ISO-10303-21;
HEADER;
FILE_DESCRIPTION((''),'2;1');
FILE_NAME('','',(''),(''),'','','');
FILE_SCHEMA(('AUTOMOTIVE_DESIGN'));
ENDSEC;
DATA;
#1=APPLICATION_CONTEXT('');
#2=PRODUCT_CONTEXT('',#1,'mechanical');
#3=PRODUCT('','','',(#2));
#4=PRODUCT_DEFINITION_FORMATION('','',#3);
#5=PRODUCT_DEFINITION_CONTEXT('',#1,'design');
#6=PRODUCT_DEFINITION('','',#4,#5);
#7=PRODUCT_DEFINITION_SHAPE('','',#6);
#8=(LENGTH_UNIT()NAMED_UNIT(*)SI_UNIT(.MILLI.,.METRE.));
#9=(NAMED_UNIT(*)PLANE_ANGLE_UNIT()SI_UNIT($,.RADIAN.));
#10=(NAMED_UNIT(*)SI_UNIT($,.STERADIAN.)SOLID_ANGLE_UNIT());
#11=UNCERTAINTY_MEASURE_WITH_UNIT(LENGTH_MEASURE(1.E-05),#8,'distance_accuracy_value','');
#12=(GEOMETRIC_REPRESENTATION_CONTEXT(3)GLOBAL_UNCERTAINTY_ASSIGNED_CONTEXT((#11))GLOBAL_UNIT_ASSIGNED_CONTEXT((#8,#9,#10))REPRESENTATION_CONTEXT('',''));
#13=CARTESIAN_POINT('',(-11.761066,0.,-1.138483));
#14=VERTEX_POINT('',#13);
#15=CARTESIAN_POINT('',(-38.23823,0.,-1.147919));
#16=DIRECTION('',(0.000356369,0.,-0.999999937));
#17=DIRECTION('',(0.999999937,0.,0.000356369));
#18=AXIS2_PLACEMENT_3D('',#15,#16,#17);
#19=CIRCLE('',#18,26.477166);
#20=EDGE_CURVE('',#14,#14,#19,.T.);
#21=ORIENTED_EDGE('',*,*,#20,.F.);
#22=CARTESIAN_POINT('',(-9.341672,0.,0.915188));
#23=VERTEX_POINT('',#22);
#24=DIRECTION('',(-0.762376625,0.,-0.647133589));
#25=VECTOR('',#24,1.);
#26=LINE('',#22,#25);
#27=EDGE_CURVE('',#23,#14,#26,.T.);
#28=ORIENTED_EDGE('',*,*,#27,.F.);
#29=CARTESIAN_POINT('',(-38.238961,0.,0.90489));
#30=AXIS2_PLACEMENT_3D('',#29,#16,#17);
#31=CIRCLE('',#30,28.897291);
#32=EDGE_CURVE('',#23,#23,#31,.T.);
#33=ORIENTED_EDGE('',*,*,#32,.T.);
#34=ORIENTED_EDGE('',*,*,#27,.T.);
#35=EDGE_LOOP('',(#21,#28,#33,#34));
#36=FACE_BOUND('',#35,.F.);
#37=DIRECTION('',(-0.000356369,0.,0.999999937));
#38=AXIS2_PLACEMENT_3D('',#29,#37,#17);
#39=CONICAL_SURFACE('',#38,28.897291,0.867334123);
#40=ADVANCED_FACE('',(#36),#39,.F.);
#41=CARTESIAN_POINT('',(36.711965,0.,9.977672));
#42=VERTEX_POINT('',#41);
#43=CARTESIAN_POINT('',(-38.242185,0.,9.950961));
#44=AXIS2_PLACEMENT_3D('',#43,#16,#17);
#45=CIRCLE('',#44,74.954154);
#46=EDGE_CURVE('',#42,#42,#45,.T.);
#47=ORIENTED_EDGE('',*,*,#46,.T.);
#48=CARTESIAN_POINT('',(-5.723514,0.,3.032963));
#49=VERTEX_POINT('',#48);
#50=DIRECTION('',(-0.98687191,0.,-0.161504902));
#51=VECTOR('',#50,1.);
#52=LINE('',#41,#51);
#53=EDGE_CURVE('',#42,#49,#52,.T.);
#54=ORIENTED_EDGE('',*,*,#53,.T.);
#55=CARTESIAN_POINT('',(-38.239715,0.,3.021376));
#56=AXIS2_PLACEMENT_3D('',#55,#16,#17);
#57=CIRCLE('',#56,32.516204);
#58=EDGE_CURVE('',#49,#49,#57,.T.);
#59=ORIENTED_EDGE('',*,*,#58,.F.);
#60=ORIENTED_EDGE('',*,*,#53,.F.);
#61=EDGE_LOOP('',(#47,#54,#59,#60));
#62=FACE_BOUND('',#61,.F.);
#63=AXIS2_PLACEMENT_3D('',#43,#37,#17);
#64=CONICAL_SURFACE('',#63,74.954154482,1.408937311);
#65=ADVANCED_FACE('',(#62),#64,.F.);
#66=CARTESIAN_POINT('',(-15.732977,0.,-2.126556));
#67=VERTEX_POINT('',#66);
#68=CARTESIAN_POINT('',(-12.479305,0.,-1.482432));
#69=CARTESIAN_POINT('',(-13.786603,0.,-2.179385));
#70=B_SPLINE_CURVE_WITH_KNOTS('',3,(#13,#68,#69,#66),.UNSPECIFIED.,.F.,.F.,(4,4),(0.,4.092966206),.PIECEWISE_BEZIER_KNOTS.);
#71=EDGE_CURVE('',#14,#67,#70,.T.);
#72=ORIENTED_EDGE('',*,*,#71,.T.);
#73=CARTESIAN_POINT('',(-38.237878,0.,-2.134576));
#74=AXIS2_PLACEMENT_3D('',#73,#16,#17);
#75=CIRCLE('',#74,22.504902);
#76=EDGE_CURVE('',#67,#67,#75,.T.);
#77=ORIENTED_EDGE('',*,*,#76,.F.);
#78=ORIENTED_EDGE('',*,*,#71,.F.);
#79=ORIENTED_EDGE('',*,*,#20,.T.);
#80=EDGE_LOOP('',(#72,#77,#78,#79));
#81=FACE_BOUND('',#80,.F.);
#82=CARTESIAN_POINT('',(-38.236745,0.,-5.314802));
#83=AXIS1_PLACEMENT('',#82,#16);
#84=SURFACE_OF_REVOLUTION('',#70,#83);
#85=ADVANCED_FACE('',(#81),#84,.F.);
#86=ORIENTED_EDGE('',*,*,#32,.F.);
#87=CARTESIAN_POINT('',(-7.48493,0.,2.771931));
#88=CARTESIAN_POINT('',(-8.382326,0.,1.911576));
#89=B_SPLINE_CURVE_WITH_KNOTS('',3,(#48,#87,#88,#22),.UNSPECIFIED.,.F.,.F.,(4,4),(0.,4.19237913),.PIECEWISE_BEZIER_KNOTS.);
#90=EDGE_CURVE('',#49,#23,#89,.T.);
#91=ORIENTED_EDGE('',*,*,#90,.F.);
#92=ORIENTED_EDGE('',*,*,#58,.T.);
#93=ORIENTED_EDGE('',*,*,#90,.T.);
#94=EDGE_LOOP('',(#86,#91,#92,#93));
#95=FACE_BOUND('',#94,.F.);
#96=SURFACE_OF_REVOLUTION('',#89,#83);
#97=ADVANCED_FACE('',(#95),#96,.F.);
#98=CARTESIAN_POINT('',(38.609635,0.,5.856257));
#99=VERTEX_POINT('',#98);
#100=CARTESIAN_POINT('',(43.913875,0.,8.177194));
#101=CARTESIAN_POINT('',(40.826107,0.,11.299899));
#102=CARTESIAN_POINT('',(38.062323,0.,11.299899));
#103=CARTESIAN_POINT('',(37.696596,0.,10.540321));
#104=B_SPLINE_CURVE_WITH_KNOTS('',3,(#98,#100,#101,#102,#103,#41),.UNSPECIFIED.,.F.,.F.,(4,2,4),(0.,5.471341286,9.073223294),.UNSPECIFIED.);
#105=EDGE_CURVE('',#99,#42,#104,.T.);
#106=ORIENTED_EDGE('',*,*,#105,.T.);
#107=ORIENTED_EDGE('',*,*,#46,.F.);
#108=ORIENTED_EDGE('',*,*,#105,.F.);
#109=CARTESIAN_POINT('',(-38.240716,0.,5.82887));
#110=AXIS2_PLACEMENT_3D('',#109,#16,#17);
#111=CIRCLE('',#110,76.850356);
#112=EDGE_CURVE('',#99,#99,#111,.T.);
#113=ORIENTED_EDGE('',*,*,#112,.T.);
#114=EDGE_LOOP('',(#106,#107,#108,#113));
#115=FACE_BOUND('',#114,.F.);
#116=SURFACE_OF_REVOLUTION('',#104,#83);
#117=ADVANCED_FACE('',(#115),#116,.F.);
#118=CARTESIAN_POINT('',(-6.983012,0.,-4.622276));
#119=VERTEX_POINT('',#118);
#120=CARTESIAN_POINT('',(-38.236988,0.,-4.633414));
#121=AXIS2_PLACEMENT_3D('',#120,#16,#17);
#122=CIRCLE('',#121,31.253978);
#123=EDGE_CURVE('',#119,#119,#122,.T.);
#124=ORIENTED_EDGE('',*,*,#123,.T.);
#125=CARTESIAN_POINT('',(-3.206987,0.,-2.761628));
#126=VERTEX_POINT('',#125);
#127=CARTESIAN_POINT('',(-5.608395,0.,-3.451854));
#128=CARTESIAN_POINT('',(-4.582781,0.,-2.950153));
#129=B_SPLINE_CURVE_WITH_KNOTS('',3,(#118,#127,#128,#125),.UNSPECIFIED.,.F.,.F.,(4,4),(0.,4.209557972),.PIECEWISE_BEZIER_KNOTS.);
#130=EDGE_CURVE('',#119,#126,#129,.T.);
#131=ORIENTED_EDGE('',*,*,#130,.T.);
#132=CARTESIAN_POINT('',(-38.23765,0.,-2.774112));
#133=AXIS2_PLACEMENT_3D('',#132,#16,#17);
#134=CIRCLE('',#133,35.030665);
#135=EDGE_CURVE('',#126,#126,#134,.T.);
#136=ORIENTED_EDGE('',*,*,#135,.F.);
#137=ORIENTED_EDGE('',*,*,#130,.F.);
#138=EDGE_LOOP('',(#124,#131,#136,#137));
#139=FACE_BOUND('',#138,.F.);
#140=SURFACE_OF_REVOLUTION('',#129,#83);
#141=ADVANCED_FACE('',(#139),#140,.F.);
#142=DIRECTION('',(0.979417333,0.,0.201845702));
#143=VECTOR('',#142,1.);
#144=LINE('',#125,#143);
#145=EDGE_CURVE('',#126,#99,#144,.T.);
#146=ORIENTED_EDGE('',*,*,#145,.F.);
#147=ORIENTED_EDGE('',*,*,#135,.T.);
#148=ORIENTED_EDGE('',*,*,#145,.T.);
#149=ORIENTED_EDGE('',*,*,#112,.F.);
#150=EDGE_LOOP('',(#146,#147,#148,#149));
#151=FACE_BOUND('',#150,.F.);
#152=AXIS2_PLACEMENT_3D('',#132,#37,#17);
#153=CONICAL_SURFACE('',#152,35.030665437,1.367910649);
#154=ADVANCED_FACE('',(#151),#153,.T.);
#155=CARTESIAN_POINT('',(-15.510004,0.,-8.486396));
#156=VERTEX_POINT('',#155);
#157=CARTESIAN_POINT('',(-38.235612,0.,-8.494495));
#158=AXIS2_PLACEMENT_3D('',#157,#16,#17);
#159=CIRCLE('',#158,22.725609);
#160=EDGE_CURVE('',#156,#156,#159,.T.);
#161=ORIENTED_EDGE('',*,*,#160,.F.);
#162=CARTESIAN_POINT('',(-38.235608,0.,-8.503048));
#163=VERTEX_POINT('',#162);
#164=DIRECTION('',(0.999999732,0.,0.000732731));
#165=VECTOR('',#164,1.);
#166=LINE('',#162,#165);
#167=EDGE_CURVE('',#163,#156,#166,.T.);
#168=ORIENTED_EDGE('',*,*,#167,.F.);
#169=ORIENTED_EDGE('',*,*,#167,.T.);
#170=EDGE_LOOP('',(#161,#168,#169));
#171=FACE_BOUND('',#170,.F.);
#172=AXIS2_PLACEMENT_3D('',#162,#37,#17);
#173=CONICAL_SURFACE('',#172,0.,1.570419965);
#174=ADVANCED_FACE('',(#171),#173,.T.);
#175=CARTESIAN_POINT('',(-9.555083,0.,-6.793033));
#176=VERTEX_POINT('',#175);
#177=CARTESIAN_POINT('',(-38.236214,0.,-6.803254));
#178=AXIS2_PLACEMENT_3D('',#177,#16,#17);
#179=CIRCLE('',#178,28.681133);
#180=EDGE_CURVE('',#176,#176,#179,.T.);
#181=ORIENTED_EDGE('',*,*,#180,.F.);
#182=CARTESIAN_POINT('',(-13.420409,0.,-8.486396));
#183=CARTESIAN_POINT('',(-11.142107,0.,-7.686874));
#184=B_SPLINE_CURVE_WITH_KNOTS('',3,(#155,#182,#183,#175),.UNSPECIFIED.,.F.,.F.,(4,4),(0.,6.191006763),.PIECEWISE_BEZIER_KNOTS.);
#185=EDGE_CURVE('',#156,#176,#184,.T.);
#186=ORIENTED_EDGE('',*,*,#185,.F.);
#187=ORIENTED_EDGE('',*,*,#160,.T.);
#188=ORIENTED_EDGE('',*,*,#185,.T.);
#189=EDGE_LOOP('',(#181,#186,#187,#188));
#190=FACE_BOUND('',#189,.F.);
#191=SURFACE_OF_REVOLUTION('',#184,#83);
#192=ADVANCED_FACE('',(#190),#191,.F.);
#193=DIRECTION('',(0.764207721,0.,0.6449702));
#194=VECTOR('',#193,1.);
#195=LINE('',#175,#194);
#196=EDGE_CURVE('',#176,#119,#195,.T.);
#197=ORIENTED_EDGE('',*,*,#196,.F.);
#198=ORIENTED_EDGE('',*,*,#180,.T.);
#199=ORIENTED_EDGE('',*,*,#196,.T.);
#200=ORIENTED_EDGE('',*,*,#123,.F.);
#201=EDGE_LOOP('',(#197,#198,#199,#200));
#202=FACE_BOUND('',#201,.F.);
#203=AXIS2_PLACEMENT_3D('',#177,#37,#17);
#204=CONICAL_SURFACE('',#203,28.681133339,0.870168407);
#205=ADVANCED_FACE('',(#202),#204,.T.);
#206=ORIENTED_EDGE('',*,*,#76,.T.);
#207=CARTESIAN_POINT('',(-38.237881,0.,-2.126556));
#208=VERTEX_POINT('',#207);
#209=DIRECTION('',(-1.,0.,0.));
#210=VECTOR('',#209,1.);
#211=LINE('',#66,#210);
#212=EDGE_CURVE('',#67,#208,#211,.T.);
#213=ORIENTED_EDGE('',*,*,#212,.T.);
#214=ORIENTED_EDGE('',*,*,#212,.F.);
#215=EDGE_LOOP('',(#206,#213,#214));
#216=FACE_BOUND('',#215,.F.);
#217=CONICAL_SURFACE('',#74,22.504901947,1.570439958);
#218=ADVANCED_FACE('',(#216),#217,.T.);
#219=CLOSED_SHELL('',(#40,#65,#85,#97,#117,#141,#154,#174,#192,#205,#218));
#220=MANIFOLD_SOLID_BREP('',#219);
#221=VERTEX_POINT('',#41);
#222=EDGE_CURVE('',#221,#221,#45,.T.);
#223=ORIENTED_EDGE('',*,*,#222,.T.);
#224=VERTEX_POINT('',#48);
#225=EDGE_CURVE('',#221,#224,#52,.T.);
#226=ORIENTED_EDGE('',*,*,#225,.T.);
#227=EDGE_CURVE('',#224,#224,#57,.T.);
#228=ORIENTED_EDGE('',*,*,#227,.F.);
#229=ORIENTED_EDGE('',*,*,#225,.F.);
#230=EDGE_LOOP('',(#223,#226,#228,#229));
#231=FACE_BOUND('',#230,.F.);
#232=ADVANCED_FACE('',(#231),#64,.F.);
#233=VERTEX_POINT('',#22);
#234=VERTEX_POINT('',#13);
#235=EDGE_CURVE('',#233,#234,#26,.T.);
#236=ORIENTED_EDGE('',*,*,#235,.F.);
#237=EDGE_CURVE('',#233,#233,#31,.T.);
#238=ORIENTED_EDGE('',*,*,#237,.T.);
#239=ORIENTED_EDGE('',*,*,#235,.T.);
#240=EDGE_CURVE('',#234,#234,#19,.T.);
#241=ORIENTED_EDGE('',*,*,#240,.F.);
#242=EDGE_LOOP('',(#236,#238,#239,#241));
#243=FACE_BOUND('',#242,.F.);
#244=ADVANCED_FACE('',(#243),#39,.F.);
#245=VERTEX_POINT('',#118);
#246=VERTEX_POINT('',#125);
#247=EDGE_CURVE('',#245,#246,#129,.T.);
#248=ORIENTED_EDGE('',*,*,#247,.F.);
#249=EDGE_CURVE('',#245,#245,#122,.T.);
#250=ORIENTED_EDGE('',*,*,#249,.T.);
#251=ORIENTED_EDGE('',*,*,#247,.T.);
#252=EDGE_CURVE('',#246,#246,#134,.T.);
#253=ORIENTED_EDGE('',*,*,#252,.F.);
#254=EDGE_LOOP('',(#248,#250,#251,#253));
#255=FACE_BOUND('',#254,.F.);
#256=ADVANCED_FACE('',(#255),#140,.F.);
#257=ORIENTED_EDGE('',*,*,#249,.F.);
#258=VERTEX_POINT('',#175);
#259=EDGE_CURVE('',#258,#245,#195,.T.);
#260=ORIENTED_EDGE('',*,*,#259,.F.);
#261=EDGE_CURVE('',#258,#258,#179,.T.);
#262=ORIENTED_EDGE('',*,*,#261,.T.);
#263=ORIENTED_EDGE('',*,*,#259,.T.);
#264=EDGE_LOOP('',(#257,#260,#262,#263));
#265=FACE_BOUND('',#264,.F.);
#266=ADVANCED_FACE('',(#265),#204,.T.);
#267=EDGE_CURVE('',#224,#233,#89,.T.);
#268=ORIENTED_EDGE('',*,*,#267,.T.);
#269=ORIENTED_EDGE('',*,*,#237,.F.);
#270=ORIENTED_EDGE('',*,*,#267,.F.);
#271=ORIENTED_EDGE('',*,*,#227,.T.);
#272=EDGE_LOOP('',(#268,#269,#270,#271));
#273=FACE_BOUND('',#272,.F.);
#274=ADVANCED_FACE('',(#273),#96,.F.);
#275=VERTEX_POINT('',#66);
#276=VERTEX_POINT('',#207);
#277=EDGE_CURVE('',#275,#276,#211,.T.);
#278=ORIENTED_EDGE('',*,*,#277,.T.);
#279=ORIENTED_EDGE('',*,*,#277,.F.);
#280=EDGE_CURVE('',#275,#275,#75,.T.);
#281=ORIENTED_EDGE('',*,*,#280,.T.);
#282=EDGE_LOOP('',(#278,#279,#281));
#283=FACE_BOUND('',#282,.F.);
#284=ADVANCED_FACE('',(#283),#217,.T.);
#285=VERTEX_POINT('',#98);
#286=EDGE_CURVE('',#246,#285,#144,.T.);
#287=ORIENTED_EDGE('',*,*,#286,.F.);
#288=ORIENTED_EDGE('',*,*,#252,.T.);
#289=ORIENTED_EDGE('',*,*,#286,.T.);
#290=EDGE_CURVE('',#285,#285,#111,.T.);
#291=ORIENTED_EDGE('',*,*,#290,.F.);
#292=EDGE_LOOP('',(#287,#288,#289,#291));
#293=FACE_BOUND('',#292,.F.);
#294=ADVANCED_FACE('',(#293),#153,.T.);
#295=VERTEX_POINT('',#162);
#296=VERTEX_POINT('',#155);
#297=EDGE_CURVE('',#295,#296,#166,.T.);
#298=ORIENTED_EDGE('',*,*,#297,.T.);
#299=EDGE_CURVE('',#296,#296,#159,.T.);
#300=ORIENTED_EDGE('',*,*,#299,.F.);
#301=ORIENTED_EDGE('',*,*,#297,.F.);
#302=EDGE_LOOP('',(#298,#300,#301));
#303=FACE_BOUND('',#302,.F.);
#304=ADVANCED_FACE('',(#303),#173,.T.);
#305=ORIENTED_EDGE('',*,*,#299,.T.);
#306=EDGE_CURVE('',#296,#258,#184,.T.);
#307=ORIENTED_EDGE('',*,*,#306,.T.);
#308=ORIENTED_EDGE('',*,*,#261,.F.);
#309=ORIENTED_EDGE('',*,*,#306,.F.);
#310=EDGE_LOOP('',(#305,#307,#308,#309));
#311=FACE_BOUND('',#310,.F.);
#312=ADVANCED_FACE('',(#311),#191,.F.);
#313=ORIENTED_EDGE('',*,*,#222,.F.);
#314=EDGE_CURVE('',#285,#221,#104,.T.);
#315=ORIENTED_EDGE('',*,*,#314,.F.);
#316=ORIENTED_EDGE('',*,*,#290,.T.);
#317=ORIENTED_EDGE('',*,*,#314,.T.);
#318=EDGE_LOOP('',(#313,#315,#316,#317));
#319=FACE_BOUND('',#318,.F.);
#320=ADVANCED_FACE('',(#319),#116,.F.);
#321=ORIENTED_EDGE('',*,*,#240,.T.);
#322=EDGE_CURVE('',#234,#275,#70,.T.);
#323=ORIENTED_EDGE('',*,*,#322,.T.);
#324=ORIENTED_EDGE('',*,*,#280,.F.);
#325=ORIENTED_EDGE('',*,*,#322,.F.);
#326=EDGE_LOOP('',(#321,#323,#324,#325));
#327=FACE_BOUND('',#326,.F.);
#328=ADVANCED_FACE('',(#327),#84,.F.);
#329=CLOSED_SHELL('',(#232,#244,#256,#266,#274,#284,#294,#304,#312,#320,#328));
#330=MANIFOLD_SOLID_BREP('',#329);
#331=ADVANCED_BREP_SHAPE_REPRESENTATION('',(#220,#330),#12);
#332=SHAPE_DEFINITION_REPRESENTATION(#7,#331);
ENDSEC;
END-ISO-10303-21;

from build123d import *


with BuildPart() as f1:
    # F0 (on Front) → F1 (revolve)
    with BuildSketch(Plane.XZ):
        with BuildLine():
            Line((-38.237880871, -2.1265557187), (-38.2356084883, -8.5030477494))
            Line((-38.2356084883, -8.5030477494), (-15.5100039694, -8.4863959963))
            add(Edge.make_bspline(
                [(-15.5100039694, -8.4863959963), (-13.4204085473, -8.4863959963), (-11.1421066824, -7.686874076), (-9.5550827238, -6.7930331605)],
                knots=[0, 0, 0, 0, 6.1910067626, 6.1910067626, 6.1910067626, 6.1910067626], degree=3))
            Line((-9.5550827238, -6.7930331605), (-6.9830119166, -4.6222764684))
            add(Edge.make_bspline(
                [(-6.9830119166, -4.6222764684), (-5.6083946976, -3.4518540522), (-4.5827813003, -2.9501531424), (-3.2069868896, -2.7616278419)],
                knots=[0, 0, 0, 0, 4.2095579716, 4.2095579716, 4.2095579716, 4.2095579716], degree=3))
            Line((-3.2069868896, -2.7616278419), (38.6096351292, 5.8562566375))
            add(Edge.make_bspline(
                [(38.6096351292, 5.8562566375), (43.9138748195, 8.1771944499), (40.8261068201, 11.2998985534), (39.1594879773, 11.2998985534)],
                knots=[0, 0, 0, 0, 5.4713412856, 5.4713412856, 5.4713412856, 5.4713412856], degree=3))
            add(Edge.make_bspline(
                [(39.1594879773, 11.2998985534), (38.0623229292, 11.2998985534), (37.6965962794, 10.5403211748), (36.7119648006, 9.9776719546)],
                knots=[0, 0, 0, 0, 2.7818434318, 2.7818434318, 2.7818434318, 2.7818434318], degree=3))
            Line((36.7119648006, 9.9776719546), (-5.7235136184, 3.0329634284))
            add(Edge.make_bspline(
                [(-5.7235136184, 3.0329634284), (-7.4849295917, 2.7719314059), (-8.3823259476, 1.9115756115), (-9.3416720185, 0.9151880478)],
                knots=[0, 0, 0, 0, 4.1923791301, 4.1923791301, 4.1923791301, 4.1923791301], degree=3))
            Line((-9.3416720185, 0.9151880478), (-11.7610655281, -1.138483003))
            add(Edge.make_bspline(
                [(-11.7610655281, -1.138483003), (-12.479305223, -1.4824316057), (-13.7866027209, -2.1793845261), (-15.7329774949, -2.1265557187)],
                knots=[0, 0, 0, 0, 4.092966206, 4.092966206, 4.092966206, 4.092966206], degree=3))
            Line((-15.7329774949, -2.1265557187), (-38.237880871, -2.1265557187))
        make_face()
    revolve(axis=Axis((-38.2367446797, 0, -5.314801734), (0.0003563688, 0, -0.9999999365)))


with BuildPart() as f2:
    # F0 (on Front) → F2 (revolve)
    with BuildSketch(Plane.XZ):
        with BuildLine():
            Line((-38.237880871, -2.1265557187), (-38.2356084883, -8.5030477494))
            Line((-38.2356084883, -8.5030477494), (-15.5100039694, -8.4863959963))
            add(Edge.make_bspline(
                [(-15.5100039694, -8.4863959963), (-13.4204085473, -8.4863959963), (-11.1421066824, -7.686874076), (-9.5550827238, -6.7930331605)],
                knots=[0, 0, 0, 0, 6.1910067626, 6.1910067626, 6.1910067626, 6.1910067626], degree=3))
            Line((-9.5550827238, -6.7930331605), (-6.9830119166, -4.6222764684))
            add(Edge.make_bspline(
                [(-6.9830119166, -4.6222764684), (-5.6083946976, -3.4518540522), (-4.5827813003, -2.9501531424), (-3.2069868896, -2.7616278419)],
                knots=[0, 0, 0, 0, 4.2095579716, 4.2095579716, 4.2095579716, 4.2095579716], degree=3))
            Line((-3.2069868896, -2.7616278419), (38.6096351292, 5.8562566375))
            add(Edge.make_bspline(
                [(38.6096351292, 5.8562566375), (43.9138748195, 8.1771944499), (40.8261068201, 11.2998985534), (39.1594879773, 11.2998985534)],
                knots=[0, 0, 0, 0, 5.4713412856, 5.4713412856, 5.4713412856, 5.4713412856], degree=3))
            add(Edge.make_bspline(
                [(39.1594879773, 11.2998985534), (38.0623229292, 11.2998985534), (37.6965962794, 10.5403211748), (36.7119648006, 9.9776719546)],
                knots=[0, 0, 0, 0, 2.7818434318, 2.7818434318, 2.7818434318, 2.7818434318], degree=3))
            Line((36.7119648006, 9.9776719546), (-5.7235136184, 3.0329634284))
            add(Edge.make_bspline(
                [(-5.7235136184, 3.0329634284), (-7.4849295917, 2.7719314059), (-8.3823259476, 1.9115756115), (-9.3416720185, 0.9151880478)],
                knots=[0, 0, 0, 0, 4.1923791301, 4.1923791301, 4.1923791301, 4.1923791301], degree=3))
            Line((-9.3416720185, 0.9151880478), (-11.7610655281, -1.138483003))
            add(Edge.make_bspline(
                [(-11.7610655281, -1.138483003), (-12.479305223, -1.4824316057), (-13.7866027209, -2.1793845261), (-15.7329774949, -2.1265557187)],
                knots=[0, 0, 0, 0, 4.092966206, 4.092966206, 4.092966206, 4.092966206], degree=3))
            Line((-15.7329774949, -2.1265557187), (-38.237880871, -2.1265557187))
        make_face()
    revolve(axis=Axis((-38.2367446797, 0, -5.314801734), (0.0003563688, 0, -0.9999999365)))


solid = Compound([f1.part, f2.part])
